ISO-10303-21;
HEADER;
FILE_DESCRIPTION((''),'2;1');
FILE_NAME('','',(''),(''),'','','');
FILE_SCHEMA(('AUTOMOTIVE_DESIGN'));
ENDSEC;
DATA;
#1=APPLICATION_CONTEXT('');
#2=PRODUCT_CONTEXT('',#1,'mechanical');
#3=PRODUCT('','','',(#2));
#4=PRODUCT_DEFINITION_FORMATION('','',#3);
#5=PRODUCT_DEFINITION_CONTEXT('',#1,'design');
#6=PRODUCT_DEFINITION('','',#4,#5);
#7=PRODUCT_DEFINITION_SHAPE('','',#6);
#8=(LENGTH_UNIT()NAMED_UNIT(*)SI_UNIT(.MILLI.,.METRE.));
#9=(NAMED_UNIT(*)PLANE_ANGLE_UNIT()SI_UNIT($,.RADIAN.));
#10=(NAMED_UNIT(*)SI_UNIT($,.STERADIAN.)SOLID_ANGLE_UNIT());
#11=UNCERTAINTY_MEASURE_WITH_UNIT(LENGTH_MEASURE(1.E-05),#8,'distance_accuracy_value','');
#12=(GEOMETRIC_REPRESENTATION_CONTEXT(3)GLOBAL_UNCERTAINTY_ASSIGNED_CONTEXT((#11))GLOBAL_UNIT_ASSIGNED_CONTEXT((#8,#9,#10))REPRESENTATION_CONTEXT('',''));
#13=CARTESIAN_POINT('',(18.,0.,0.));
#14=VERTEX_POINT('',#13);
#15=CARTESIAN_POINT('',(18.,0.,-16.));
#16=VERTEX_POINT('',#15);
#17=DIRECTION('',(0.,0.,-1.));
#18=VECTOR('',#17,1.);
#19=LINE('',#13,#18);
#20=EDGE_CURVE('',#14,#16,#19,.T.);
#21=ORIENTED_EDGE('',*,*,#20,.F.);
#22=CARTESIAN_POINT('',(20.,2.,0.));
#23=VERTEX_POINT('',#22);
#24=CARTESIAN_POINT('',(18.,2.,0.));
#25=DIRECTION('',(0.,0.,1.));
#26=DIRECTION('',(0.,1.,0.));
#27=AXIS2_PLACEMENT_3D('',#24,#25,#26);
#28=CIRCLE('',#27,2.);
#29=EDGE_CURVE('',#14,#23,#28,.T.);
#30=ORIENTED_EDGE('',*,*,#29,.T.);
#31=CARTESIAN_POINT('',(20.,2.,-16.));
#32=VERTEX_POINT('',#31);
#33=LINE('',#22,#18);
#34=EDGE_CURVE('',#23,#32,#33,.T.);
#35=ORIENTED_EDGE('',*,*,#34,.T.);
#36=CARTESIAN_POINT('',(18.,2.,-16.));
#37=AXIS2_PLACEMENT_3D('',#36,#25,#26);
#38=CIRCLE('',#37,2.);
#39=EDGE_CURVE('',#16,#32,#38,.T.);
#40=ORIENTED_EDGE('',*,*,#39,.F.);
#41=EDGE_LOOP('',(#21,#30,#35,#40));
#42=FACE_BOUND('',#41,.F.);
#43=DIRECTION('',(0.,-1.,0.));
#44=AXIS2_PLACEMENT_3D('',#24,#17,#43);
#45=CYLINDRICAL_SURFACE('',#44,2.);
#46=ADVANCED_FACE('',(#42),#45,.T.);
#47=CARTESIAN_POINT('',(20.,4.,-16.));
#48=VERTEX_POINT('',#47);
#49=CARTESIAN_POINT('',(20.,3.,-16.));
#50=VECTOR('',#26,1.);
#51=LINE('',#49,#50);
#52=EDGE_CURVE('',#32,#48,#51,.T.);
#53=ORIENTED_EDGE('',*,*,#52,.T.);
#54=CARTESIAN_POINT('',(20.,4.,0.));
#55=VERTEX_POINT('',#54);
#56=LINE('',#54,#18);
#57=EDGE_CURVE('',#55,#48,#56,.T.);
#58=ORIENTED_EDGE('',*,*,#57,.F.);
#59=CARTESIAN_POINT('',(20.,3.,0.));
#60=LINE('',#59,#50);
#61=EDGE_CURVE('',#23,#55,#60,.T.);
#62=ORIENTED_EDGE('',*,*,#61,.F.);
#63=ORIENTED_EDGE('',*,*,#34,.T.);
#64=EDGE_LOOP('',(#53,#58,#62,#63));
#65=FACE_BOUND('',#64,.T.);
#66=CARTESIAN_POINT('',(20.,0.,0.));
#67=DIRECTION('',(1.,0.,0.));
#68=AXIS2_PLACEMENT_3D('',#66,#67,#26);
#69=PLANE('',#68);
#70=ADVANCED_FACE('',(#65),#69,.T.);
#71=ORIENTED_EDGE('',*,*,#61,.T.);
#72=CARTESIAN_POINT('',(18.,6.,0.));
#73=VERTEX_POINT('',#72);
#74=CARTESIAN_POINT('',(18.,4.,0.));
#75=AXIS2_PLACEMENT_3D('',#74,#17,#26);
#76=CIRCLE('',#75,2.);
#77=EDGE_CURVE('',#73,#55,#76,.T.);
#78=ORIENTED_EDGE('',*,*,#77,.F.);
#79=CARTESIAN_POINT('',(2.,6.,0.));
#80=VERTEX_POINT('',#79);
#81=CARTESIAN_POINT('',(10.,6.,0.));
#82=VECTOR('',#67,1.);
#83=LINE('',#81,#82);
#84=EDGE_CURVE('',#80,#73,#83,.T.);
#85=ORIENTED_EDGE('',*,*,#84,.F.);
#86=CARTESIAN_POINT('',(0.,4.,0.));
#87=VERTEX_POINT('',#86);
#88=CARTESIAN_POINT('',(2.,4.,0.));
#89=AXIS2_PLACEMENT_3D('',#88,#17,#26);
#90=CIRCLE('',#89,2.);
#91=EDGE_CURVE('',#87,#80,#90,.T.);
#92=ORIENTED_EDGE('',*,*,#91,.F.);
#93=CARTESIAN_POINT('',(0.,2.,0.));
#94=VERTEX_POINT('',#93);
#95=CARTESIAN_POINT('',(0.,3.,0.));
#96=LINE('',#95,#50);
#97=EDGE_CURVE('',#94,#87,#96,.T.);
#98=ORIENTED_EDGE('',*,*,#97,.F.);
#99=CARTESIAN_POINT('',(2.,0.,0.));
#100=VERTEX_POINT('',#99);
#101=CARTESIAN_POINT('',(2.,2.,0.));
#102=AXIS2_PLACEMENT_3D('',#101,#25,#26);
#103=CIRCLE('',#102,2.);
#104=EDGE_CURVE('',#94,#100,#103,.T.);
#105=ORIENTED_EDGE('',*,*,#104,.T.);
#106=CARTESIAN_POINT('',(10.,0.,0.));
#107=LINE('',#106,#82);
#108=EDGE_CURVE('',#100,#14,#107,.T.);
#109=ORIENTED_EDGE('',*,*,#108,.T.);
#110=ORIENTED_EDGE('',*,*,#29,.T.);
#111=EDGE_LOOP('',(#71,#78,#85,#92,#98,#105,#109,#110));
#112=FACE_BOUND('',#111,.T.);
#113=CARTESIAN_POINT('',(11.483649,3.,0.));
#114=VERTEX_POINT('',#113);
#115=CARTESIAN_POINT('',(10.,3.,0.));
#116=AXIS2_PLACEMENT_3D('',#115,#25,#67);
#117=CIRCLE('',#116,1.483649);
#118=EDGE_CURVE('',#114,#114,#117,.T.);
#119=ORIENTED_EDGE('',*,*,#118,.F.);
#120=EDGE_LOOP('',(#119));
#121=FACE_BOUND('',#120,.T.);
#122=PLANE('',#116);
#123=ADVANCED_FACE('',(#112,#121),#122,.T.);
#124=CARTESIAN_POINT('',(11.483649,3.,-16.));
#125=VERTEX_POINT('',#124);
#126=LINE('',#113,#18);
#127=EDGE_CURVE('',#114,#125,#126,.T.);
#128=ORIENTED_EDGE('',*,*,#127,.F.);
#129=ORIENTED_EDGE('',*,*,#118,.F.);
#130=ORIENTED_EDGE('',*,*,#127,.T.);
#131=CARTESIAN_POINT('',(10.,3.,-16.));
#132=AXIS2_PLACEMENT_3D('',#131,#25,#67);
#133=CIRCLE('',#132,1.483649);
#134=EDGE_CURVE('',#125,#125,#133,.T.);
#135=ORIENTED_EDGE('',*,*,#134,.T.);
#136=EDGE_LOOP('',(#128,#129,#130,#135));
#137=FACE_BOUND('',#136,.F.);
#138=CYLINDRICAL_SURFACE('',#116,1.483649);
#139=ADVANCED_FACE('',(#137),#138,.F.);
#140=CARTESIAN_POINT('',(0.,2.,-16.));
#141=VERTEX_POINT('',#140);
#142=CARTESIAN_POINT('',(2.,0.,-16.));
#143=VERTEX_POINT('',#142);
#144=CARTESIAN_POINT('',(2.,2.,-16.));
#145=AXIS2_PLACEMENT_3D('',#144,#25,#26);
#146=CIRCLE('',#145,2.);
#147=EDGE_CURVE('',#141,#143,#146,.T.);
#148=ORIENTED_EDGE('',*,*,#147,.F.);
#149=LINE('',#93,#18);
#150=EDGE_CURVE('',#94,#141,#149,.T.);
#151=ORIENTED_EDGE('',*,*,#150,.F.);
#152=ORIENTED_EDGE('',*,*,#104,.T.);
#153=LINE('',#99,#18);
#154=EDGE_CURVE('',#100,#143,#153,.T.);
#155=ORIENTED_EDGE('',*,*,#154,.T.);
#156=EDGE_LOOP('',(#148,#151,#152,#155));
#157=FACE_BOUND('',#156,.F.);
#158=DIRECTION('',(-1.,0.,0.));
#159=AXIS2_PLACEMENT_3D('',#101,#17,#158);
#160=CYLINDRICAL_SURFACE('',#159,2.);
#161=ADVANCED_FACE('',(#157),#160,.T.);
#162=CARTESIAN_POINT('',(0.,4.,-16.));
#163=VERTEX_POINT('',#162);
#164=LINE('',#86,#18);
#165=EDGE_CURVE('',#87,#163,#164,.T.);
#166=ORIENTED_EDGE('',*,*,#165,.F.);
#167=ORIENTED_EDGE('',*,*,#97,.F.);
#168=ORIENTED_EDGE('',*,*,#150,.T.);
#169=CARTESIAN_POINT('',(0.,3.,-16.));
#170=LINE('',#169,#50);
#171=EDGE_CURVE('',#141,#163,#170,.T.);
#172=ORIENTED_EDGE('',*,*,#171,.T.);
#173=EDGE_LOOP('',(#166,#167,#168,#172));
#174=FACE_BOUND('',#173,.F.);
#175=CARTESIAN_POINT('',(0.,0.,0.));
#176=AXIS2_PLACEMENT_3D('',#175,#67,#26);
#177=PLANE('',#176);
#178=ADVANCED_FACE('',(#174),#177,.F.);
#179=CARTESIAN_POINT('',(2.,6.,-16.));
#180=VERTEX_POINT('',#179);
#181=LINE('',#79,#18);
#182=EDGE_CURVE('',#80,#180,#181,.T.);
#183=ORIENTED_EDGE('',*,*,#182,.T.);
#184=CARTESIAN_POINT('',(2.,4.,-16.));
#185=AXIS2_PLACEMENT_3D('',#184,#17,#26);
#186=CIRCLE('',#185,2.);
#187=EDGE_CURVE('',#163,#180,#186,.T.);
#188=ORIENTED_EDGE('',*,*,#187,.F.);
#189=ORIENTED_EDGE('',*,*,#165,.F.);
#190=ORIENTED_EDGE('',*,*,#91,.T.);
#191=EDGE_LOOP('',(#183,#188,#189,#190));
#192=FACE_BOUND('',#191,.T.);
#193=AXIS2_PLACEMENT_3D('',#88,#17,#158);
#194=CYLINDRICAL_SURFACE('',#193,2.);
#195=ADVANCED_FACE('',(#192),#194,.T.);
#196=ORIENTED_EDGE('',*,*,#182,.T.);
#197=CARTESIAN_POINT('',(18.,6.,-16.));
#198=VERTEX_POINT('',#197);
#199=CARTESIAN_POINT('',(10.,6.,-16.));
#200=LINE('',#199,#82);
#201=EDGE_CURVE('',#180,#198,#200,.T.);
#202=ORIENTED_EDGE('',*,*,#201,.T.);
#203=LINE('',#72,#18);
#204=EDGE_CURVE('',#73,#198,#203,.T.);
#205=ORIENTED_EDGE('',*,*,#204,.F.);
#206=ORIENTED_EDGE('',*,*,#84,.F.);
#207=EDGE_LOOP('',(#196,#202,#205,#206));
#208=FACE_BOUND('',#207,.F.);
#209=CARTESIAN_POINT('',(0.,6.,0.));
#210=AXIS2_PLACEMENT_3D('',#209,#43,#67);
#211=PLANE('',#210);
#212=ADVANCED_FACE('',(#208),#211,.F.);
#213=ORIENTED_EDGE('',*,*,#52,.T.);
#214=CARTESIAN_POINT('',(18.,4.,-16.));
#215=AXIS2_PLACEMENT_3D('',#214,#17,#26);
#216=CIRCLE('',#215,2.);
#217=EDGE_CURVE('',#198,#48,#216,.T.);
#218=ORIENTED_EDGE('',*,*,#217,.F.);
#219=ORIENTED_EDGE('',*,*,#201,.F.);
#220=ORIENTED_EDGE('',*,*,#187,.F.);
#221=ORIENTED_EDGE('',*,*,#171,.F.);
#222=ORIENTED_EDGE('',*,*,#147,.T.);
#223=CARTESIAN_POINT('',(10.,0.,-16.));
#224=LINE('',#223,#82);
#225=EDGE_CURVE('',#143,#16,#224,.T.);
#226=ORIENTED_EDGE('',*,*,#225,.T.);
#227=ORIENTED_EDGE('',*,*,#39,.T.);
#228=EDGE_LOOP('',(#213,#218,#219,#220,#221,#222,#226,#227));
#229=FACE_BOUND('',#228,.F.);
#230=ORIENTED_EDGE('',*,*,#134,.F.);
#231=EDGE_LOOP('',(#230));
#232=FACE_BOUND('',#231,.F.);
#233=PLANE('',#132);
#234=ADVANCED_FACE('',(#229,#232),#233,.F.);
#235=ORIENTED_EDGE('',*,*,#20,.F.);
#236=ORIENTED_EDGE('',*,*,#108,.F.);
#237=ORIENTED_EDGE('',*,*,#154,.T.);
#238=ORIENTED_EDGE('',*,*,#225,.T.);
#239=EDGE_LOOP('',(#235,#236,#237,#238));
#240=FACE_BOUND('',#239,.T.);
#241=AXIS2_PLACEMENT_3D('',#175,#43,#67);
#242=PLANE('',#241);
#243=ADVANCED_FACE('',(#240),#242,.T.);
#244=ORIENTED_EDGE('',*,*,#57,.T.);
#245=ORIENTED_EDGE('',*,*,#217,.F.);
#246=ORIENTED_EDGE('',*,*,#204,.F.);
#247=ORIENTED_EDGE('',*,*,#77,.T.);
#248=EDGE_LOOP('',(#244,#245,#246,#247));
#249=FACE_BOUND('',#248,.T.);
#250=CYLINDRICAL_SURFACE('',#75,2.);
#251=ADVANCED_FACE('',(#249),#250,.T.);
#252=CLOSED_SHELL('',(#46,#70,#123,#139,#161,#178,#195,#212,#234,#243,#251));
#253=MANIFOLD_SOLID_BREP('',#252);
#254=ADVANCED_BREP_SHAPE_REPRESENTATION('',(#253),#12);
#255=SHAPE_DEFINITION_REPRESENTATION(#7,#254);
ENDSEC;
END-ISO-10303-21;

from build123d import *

# Parameters (mm, degrees)
F0_W     = 20
F0_H     = 6
F0_R     = 1.483649
F1_DEPTH = 16
F2_R     = 2


with BuildPart() as f1:
    # F0 (on Top) → F1 (new body)
    with BuildSketch(Plane.XY):
        with Locations((10, 3)):
            Rectangle(F0_W, F0_H)
        with Locations((10, 3)):
            Circle(F0_R, mode=Mode.SUBTRACT)
    extrude(amount=-F1_DEPTH)

    # F2
    f2_edges = [f1.edges().sort_by_distance(p)[0] for p in [
        (20, 6, -8),
        (0, 6, -8),
        (20, 0, -8),
        (0, 0, -8),
    ]]
    fillet(f2_edges, radius=F2_R)


solid = f1.part
